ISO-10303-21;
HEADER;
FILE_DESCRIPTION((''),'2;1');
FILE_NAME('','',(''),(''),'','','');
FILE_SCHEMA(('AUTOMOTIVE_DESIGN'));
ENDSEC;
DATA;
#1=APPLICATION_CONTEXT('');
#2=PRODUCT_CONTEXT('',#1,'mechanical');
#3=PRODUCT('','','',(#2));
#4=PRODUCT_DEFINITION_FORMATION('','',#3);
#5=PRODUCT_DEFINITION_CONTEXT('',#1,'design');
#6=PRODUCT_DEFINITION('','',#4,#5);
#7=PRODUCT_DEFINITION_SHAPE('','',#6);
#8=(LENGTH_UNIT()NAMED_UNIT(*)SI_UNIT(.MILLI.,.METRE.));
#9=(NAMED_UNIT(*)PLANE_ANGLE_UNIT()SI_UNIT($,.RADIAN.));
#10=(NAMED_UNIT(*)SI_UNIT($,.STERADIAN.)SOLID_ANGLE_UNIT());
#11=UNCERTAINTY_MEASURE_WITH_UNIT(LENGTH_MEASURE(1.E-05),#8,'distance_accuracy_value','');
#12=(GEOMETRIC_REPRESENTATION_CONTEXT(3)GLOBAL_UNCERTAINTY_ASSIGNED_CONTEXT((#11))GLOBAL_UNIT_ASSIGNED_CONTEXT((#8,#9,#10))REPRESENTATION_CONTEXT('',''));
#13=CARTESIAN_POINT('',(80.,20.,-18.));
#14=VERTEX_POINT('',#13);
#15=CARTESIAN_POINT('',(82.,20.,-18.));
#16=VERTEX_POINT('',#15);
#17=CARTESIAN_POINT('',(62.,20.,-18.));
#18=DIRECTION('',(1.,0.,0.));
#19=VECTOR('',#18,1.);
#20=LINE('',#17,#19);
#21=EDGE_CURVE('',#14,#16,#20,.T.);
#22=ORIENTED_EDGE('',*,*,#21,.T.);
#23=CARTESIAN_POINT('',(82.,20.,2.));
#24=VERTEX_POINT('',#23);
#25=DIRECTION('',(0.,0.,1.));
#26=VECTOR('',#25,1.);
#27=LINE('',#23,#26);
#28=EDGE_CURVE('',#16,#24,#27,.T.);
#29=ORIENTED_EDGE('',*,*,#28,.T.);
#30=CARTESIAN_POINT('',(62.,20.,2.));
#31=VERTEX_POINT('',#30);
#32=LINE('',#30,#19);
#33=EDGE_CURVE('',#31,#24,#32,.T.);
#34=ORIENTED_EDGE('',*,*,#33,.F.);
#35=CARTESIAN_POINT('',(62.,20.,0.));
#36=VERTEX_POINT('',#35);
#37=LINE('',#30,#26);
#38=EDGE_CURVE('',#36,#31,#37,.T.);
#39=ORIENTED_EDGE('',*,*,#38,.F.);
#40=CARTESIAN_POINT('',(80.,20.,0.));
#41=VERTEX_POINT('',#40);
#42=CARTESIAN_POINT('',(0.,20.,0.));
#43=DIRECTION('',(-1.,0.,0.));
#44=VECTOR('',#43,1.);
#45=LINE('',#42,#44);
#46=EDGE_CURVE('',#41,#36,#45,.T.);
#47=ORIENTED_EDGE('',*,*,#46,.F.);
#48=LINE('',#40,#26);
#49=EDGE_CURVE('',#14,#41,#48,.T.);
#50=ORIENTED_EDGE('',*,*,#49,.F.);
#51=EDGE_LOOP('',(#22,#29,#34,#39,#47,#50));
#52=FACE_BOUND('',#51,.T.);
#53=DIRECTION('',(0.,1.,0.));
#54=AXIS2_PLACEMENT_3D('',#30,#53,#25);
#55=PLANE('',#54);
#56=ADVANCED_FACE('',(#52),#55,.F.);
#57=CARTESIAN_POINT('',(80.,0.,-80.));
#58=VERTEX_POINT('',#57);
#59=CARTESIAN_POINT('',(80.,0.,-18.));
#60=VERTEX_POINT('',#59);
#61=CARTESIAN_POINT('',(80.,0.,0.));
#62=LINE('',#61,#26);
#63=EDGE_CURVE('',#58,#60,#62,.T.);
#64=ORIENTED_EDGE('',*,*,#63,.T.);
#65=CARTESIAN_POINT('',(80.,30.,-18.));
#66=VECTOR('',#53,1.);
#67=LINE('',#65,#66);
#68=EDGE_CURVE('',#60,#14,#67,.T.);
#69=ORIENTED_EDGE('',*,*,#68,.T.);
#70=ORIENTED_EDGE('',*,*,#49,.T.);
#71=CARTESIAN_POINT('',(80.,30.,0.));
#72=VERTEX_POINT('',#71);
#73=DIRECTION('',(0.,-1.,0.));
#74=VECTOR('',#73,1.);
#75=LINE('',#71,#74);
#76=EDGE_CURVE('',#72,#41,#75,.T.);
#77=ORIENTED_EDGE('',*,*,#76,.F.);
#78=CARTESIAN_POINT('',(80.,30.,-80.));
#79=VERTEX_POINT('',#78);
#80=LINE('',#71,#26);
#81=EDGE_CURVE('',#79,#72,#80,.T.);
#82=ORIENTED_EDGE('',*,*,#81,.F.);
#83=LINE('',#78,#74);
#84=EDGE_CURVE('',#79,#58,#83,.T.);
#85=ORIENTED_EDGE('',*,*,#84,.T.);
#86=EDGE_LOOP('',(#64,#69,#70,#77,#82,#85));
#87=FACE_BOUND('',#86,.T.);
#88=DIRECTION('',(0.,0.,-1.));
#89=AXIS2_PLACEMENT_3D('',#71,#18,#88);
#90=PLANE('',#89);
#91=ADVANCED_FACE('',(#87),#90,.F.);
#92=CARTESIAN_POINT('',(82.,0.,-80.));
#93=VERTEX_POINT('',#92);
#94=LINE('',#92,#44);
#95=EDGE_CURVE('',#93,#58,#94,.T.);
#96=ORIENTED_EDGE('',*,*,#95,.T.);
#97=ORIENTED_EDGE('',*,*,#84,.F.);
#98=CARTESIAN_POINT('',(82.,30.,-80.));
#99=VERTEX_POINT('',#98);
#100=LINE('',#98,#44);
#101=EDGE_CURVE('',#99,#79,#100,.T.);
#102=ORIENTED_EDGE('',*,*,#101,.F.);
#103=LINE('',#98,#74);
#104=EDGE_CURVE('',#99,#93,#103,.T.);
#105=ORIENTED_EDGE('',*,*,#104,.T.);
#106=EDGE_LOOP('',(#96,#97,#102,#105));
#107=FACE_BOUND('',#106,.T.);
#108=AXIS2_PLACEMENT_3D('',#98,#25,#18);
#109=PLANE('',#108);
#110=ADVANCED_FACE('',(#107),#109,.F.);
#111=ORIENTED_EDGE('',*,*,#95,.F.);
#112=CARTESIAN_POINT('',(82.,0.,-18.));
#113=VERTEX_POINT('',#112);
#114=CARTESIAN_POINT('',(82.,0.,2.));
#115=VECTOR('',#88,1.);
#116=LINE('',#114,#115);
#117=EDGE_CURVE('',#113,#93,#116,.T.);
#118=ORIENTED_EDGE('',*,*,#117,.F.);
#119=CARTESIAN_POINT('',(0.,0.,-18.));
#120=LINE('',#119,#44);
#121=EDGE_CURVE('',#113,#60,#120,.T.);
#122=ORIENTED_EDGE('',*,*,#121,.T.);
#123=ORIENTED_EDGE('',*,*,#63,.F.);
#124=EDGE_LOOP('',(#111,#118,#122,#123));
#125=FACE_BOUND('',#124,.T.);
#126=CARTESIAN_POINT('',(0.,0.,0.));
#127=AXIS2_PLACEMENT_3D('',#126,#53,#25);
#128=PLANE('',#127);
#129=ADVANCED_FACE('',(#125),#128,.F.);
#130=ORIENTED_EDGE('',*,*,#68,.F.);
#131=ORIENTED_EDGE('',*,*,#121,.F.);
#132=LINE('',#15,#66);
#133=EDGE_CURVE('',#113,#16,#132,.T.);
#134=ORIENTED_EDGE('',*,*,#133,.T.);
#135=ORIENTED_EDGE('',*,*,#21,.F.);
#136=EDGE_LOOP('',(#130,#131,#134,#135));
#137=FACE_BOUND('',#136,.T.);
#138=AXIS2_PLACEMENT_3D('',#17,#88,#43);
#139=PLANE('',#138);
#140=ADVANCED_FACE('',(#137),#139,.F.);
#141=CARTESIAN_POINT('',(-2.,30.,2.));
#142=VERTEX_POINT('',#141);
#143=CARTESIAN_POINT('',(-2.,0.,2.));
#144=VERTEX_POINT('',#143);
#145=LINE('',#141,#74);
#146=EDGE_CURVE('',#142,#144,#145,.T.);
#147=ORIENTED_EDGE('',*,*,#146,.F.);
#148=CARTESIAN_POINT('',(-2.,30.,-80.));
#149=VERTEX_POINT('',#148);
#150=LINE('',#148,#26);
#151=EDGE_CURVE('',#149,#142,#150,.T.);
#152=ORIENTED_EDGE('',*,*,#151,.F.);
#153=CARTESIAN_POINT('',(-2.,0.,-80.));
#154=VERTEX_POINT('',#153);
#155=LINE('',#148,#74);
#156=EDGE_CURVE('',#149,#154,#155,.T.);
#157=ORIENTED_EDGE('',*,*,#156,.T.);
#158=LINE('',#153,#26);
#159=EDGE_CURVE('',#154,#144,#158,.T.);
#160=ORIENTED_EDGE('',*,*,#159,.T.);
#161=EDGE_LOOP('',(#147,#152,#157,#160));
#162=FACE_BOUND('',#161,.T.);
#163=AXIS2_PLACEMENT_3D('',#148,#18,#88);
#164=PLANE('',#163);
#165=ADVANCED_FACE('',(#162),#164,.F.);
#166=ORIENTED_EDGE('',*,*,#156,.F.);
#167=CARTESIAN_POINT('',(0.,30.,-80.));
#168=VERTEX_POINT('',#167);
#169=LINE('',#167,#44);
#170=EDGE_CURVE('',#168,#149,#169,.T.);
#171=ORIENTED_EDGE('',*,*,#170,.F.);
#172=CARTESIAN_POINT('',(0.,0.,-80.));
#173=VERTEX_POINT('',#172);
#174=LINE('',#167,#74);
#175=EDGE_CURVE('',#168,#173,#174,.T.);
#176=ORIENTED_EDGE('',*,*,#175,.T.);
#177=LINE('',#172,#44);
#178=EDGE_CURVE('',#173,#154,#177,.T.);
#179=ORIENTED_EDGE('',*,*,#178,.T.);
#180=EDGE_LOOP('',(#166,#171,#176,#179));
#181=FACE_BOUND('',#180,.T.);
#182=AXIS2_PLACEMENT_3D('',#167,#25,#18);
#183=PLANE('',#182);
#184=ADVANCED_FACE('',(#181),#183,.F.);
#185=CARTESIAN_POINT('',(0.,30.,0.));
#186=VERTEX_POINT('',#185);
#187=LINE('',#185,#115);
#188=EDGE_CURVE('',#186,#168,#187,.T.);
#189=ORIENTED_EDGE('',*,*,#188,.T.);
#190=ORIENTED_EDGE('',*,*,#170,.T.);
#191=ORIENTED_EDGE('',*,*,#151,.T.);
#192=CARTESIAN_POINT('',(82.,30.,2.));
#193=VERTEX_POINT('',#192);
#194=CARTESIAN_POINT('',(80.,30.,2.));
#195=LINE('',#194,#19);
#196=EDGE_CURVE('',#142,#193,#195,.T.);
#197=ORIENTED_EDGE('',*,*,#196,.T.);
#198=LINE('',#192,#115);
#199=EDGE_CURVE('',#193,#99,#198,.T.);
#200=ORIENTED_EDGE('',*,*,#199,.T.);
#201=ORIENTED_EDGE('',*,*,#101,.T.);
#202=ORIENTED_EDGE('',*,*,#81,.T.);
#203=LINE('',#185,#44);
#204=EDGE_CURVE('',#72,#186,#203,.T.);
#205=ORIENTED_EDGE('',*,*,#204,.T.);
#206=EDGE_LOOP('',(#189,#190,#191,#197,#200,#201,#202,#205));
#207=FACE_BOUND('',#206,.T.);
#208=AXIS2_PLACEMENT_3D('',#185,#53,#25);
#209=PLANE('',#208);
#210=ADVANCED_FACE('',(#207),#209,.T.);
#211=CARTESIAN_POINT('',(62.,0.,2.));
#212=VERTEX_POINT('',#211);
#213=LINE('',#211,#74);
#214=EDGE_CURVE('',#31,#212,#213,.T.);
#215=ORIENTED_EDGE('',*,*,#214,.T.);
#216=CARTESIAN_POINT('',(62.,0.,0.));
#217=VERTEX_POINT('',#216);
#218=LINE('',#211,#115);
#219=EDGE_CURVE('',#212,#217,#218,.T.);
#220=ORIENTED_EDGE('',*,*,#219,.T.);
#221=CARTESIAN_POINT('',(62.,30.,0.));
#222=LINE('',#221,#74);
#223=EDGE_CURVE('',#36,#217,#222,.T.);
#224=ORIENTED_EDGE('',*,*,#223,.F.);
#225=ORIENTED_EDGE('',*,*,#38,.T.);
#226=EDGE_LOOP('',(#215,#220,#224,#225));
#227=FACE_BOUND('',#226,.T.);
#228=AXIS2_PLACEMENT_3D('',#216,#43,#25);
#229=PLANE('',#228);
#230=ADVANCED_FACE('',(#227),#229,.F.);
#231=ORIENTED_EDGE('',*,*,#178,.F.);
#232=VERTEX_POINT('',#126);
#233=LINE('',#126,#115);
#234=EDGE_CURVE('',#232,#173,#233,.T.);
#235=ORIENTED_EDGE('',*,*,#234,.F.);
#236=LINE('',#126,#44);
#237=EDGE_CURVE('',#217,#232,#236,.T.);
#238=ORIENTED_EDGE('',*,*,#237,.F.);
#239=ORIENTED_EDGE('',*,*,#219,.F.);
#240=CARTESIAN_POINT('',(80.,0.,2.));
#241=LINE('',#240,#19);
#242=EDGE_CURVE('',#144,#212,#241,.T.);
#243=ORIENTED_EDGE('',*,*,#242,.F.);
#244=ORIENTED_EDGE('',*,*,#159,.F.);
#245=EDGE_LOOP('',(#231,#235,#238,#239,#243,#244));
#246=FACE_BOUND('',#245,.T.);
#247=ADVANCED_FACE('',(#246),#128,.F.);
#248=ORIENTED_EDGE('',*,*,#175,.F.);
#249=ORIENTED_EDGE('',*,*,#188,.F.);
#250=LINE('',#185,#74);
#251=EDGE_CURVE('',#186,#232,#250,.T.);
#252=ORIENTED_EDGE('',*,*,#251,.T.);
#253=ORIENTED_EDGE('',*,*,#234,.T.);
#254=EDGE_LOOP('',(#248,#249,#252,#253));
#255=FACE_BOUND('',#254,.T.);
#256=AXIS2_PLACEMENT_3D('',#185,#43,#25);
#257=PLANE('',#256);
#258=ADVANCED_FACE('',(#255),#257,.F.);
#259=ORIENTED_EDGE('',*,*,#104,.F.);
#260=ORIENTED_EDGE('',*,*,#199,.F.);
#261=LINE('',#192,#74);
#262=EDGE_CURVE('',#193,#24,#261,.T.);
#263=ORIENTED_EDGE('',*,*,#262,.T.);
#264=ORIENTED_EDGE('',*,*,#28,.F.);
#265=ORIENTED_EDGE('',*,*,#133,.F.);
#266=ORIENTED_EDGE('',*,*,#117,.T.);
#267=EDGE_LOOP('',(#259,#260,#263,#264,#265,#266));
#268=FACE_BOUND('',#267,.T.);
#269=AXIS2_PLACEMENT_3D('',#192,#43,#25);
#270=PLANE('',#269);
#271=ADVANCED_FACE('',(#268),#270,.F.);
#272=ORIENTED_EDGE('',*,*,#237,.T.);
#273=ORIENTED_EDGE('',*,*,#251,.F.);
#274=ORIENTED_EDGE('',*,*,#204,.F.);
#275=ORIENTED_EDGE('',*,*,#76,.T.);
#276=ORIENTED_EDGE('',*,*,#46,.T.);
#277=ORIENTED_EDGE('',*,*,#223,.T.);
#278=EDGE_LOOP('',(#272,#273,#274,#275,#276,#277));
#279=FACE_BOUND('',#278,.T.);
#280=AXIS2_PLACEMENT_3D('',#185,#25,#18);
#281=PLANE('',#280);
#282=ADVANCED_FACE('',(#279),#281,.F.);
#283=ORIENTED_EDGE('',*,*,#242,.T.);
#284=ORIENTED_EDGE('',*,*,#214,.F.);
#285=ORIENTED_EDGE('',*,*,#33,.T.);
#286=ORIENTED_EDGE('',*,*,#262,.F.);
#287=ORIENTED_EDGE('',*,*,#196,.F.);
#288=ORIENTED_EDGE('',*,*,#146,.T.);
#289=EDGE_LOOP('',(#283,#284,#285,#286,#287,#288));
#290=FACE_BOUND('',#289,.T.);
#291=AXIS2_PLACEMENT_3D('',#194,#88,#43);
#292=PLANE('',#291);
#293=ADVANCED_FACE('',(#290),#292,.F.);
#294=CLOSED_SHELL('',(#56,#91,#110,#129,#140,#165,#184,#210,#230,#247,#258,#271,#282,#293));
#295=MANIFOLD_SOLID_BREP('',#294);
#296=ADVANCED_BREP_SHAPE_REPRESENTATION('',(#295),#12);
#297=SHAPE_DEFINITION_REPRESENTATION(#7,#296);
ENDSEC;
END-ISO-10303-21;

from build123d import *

# Parameters (mm, degrees)
BOSS_EXTRUDE1_DEPTH = 30
SKETCH2_W           = 20
SKETCH2_H           = 20
CUT_EXTRUDE1_DEPTH  = 20


with BuildPart() as part:
    # Sketch1 → Boss-Extrude1 (new body)
    with BuildSketch(Plane(origin=(0, 0, 0), x_dir=(1, 0, 0), z_dir=(0, 1, 0))):
        Polygon((0, 0), (80, 0), (80, 80), (82, 80), (82, -2), (80, -2), (-2, -2), (-2, 80), (0, 80), align=None)
    extrude(amount=BOSS_EXTRUDE1_DEPTH)

    # Sketch2 → Cut-Extrude1 (cut)
    with BuildSketch(Plane(origin=(82, 0, 0), x_dir=(0, 0, -1), z_dir=(1, 0, 0))):
        with Locations((8, 10)):
            Rectangle(SKETCH2_W, SKETCH2_H)
    extrude(amount=-CUT_EXTRUDE1_DEPTH, mode=Mode.SUBTRACT)


solid = part.part
